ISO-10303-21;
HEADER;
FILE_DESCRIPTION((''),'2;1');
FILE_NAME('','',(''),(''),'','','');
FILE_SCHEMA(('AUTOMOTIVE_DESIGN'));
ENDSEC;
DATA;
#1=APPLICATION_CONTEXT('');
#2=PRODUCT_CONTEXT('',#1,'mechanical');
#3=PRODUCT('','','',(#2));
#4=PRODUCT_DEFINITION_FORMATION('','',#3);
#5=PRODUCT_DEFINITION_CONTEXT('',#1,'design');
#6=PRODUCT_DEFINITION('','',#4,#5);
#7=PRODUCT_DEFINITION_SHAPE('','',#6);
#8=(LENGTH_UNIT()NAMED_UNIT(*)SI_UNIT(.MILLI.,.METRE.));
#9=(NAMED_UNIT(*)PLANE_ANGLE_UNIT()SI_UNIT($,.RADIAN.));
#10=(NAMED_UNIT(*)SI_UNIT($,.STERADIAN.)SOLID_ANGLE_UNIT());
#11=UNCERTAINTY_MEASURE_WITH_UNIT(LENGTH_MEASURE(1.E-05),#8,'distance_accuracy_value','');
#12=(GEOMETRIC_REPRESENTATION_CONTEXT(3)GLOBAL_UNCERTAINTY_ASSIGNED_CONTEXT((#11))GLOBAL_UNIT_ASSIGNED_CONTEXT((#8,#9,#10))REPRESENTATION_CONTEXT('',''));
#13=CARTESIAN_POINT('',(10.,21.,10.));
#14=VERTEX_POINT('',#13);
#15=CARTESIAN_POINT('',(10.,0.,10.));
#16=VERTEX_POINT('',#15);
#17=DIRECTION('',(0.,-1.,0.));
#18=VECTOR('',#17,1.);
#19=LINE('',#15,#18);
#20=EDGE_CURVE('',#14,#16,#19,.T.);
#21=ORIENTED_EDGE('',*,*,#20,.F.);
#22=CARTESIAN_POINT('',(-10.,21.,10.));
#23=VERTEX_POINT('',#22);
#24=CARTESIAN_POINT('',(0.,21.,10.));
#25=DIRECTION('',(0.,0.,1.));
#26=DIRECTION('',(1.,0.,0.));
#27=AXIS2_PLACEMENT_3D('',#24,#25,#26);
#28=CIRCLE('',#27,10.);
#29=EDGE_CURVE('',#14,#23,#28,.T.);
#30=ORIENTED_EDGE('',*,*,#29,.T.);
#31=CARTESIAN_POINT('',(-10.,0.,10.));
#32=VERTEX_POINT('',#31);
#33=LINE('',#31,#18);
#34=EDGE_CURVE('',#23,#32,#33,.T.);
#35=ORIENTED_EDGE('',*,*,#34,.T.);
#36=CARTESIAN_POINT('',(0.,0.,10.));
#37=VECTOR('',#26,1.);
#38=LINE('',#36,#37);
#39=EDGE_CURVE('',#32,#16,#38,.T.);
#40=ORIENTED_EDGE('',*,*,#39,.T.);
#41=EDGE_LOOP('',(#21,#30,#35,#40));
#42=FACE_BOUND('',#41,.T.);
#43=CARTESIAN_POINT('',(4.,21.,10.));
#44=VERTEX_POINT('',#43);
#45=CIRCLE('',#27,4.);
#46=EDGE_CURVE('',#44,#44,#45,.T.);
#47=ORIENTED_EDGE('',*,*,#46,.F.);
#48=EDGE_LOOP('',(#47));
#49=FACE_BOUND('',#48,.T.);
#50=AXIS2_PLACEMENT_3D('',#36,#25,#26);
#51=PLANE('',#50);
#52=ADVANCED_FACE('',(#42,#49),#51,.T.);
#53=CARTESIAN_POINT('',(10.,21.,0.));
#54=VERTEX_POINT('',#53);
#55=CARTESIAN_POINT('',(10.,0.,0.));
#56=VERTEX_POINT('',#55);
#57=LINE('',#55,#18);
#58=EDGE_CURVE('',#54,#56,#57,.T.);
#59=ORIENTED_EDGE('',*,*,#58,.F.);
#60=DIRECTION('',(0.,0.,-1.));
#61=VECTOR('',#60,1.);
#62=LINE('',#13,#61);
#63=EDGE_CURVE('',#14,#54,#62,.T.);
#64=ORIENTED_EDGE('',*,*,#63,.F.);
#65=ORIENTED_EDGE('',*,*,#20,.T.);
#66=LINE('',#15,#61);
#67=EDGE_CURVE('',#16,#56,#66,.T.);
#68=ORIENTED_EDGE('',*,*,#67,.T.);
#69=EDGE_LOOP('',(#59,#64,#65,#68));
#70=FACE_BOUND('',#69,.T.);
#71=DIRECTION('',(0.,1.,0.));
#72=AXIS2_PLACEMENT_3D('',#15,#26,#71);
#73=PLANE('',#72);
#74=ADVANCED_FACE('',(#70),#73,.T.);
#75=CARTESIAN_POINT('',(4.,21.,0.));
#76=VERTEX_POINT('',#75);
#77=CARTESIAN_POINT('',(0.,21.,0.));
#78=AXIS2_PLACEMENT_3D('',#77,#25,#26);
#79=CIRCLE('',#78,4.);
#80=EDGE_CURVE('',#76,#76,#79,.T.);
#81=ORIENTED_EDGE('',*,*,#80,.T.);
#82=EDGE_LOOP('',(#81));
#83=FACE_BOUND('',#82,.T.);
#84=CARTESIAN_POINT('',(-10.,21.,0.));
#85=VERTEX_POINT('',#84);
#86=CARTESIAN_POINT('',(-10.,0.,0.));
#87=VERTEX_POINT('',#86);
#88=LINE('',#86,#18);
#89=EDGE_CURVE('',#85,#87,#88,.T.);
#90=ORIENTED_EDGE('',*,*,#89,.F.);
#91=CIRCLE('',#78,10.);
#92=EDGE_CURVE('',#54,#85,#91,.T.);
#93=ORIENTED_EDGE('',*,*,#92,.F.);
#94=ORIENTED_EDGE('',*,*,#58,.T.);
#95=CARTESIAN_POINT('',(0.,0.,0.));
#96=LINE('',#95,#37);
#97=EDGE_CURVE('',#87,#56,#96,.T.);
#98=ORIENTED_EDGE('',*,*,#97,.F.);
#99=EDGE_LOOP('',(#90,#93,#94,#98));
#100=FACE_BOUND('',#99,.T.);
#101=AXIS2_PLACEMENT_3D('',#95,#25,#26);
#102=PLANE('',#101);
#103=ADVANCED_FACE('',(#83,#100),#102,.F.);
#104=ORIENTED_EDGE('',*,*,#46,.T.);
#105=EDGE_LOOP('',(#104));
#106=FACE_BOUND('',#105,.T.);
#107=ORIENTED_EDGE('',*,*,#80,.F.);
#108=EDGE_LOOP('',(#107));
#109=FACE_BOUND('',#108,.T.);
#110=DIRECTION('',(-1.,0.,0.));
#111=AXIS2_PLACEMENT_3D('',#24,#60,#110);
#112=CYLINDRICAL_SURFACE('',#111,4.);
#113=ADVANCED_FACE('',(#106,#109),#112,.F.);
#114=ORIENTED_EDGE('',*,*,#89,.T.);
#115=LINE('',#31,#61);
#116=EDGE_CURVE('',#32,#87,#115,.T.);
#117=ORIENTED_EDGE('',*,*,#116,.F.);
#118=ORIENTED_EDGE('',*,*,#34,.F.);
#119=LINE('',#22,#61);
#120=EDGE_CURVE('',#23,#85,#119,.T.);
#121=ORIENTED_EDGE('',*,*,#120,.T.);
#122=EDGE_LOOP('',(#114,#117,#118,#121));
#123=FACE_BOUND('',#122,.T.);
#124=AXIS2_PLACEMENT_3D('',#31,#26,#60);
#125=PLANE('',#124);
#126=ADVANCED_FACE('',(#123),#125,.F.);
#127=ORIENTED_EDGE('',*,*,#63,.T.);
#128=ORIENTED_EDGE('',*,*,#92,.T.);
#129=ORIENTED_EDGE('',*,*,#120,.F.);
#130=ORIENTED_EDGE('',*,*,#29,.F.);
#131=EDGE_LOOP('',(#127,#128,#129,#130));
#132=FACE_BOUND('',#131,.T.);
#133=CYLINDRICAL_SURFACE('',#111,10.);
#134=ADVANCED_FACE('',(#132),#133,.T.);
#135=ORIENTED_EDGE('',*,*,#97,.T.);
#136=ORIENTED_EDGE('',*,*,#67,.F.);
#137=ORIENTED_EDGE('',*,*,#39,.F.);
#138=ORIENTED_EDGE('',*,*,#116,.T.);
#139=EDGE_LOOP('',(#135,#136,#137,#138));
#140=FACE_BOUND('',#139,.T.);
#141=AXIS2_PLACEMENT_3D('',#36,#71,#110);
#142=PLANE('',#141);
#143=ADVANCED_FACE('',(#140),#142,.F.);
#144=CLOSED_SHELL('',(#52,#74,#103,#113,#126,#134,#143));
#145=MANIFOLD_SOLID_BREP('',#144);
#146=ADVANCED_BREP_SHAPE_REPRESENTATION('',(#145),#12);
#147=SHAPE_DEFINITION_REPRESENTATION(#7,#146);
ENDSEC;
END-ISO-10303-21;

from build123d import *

# Parameters (mm, degrees)
EXTRUDE_1_DEPTH = 10


with BuildPart() as part:
    # 스케치1 → 보스-돌출1 (new body)
    with BuildSketch(Plane.XY):
        with BuildLine():
            ThreePointArc((10, 21), (0, 31), (-10, 21))
            Line((-10, 21), (-4, 21))
            ThreePointArc((-4, 21), (0, 25), (4, 21))
            Line((4, 21), (10, 21))
        make_face()
        with BuildLine():
            ThreePointArc((-10, 21), (-7.071067812, 13.928932188), (0, 11))
            Line((0, 11), (0, 17))
            ThreePointArc((0, 17), (-2.828427125, 18.171572875), (-4, 21))
            Line((-4, 21), (-10, 21))
        make_face()
        with BuildLine():
            Line((0, 17), (0, 11))
            ThreePointArc((0, 11), (7.071067812, 13.928932188), (10, 21))
            Line((10, 21), (4, 21))
            ThreePointArc((4, 21), (2.828427125, 18.171572875), (0, 17))
        make_face()
        with BuildLine():
            Line((0, 11), (0, 0))
            Line((0, 0), (10, 0))
            Line((10, 0), (10, 21))
            ThreePointArc((10, 21), (7.071067812, 13.928932188), (0, 11))
        make_face()
        with BuildLine():
            Line((-10, 0), (0, 0))
            Line((0, 0), (0, 11))
            ThreePointArc((0, 11), (-7.071067812, 13.928932188), (-10, 21))
            Line((-10, 21), (-10, 0))
        make_face()
    extrude(amount=EXTRUDE_1_DEPTH)


solid = part.part
